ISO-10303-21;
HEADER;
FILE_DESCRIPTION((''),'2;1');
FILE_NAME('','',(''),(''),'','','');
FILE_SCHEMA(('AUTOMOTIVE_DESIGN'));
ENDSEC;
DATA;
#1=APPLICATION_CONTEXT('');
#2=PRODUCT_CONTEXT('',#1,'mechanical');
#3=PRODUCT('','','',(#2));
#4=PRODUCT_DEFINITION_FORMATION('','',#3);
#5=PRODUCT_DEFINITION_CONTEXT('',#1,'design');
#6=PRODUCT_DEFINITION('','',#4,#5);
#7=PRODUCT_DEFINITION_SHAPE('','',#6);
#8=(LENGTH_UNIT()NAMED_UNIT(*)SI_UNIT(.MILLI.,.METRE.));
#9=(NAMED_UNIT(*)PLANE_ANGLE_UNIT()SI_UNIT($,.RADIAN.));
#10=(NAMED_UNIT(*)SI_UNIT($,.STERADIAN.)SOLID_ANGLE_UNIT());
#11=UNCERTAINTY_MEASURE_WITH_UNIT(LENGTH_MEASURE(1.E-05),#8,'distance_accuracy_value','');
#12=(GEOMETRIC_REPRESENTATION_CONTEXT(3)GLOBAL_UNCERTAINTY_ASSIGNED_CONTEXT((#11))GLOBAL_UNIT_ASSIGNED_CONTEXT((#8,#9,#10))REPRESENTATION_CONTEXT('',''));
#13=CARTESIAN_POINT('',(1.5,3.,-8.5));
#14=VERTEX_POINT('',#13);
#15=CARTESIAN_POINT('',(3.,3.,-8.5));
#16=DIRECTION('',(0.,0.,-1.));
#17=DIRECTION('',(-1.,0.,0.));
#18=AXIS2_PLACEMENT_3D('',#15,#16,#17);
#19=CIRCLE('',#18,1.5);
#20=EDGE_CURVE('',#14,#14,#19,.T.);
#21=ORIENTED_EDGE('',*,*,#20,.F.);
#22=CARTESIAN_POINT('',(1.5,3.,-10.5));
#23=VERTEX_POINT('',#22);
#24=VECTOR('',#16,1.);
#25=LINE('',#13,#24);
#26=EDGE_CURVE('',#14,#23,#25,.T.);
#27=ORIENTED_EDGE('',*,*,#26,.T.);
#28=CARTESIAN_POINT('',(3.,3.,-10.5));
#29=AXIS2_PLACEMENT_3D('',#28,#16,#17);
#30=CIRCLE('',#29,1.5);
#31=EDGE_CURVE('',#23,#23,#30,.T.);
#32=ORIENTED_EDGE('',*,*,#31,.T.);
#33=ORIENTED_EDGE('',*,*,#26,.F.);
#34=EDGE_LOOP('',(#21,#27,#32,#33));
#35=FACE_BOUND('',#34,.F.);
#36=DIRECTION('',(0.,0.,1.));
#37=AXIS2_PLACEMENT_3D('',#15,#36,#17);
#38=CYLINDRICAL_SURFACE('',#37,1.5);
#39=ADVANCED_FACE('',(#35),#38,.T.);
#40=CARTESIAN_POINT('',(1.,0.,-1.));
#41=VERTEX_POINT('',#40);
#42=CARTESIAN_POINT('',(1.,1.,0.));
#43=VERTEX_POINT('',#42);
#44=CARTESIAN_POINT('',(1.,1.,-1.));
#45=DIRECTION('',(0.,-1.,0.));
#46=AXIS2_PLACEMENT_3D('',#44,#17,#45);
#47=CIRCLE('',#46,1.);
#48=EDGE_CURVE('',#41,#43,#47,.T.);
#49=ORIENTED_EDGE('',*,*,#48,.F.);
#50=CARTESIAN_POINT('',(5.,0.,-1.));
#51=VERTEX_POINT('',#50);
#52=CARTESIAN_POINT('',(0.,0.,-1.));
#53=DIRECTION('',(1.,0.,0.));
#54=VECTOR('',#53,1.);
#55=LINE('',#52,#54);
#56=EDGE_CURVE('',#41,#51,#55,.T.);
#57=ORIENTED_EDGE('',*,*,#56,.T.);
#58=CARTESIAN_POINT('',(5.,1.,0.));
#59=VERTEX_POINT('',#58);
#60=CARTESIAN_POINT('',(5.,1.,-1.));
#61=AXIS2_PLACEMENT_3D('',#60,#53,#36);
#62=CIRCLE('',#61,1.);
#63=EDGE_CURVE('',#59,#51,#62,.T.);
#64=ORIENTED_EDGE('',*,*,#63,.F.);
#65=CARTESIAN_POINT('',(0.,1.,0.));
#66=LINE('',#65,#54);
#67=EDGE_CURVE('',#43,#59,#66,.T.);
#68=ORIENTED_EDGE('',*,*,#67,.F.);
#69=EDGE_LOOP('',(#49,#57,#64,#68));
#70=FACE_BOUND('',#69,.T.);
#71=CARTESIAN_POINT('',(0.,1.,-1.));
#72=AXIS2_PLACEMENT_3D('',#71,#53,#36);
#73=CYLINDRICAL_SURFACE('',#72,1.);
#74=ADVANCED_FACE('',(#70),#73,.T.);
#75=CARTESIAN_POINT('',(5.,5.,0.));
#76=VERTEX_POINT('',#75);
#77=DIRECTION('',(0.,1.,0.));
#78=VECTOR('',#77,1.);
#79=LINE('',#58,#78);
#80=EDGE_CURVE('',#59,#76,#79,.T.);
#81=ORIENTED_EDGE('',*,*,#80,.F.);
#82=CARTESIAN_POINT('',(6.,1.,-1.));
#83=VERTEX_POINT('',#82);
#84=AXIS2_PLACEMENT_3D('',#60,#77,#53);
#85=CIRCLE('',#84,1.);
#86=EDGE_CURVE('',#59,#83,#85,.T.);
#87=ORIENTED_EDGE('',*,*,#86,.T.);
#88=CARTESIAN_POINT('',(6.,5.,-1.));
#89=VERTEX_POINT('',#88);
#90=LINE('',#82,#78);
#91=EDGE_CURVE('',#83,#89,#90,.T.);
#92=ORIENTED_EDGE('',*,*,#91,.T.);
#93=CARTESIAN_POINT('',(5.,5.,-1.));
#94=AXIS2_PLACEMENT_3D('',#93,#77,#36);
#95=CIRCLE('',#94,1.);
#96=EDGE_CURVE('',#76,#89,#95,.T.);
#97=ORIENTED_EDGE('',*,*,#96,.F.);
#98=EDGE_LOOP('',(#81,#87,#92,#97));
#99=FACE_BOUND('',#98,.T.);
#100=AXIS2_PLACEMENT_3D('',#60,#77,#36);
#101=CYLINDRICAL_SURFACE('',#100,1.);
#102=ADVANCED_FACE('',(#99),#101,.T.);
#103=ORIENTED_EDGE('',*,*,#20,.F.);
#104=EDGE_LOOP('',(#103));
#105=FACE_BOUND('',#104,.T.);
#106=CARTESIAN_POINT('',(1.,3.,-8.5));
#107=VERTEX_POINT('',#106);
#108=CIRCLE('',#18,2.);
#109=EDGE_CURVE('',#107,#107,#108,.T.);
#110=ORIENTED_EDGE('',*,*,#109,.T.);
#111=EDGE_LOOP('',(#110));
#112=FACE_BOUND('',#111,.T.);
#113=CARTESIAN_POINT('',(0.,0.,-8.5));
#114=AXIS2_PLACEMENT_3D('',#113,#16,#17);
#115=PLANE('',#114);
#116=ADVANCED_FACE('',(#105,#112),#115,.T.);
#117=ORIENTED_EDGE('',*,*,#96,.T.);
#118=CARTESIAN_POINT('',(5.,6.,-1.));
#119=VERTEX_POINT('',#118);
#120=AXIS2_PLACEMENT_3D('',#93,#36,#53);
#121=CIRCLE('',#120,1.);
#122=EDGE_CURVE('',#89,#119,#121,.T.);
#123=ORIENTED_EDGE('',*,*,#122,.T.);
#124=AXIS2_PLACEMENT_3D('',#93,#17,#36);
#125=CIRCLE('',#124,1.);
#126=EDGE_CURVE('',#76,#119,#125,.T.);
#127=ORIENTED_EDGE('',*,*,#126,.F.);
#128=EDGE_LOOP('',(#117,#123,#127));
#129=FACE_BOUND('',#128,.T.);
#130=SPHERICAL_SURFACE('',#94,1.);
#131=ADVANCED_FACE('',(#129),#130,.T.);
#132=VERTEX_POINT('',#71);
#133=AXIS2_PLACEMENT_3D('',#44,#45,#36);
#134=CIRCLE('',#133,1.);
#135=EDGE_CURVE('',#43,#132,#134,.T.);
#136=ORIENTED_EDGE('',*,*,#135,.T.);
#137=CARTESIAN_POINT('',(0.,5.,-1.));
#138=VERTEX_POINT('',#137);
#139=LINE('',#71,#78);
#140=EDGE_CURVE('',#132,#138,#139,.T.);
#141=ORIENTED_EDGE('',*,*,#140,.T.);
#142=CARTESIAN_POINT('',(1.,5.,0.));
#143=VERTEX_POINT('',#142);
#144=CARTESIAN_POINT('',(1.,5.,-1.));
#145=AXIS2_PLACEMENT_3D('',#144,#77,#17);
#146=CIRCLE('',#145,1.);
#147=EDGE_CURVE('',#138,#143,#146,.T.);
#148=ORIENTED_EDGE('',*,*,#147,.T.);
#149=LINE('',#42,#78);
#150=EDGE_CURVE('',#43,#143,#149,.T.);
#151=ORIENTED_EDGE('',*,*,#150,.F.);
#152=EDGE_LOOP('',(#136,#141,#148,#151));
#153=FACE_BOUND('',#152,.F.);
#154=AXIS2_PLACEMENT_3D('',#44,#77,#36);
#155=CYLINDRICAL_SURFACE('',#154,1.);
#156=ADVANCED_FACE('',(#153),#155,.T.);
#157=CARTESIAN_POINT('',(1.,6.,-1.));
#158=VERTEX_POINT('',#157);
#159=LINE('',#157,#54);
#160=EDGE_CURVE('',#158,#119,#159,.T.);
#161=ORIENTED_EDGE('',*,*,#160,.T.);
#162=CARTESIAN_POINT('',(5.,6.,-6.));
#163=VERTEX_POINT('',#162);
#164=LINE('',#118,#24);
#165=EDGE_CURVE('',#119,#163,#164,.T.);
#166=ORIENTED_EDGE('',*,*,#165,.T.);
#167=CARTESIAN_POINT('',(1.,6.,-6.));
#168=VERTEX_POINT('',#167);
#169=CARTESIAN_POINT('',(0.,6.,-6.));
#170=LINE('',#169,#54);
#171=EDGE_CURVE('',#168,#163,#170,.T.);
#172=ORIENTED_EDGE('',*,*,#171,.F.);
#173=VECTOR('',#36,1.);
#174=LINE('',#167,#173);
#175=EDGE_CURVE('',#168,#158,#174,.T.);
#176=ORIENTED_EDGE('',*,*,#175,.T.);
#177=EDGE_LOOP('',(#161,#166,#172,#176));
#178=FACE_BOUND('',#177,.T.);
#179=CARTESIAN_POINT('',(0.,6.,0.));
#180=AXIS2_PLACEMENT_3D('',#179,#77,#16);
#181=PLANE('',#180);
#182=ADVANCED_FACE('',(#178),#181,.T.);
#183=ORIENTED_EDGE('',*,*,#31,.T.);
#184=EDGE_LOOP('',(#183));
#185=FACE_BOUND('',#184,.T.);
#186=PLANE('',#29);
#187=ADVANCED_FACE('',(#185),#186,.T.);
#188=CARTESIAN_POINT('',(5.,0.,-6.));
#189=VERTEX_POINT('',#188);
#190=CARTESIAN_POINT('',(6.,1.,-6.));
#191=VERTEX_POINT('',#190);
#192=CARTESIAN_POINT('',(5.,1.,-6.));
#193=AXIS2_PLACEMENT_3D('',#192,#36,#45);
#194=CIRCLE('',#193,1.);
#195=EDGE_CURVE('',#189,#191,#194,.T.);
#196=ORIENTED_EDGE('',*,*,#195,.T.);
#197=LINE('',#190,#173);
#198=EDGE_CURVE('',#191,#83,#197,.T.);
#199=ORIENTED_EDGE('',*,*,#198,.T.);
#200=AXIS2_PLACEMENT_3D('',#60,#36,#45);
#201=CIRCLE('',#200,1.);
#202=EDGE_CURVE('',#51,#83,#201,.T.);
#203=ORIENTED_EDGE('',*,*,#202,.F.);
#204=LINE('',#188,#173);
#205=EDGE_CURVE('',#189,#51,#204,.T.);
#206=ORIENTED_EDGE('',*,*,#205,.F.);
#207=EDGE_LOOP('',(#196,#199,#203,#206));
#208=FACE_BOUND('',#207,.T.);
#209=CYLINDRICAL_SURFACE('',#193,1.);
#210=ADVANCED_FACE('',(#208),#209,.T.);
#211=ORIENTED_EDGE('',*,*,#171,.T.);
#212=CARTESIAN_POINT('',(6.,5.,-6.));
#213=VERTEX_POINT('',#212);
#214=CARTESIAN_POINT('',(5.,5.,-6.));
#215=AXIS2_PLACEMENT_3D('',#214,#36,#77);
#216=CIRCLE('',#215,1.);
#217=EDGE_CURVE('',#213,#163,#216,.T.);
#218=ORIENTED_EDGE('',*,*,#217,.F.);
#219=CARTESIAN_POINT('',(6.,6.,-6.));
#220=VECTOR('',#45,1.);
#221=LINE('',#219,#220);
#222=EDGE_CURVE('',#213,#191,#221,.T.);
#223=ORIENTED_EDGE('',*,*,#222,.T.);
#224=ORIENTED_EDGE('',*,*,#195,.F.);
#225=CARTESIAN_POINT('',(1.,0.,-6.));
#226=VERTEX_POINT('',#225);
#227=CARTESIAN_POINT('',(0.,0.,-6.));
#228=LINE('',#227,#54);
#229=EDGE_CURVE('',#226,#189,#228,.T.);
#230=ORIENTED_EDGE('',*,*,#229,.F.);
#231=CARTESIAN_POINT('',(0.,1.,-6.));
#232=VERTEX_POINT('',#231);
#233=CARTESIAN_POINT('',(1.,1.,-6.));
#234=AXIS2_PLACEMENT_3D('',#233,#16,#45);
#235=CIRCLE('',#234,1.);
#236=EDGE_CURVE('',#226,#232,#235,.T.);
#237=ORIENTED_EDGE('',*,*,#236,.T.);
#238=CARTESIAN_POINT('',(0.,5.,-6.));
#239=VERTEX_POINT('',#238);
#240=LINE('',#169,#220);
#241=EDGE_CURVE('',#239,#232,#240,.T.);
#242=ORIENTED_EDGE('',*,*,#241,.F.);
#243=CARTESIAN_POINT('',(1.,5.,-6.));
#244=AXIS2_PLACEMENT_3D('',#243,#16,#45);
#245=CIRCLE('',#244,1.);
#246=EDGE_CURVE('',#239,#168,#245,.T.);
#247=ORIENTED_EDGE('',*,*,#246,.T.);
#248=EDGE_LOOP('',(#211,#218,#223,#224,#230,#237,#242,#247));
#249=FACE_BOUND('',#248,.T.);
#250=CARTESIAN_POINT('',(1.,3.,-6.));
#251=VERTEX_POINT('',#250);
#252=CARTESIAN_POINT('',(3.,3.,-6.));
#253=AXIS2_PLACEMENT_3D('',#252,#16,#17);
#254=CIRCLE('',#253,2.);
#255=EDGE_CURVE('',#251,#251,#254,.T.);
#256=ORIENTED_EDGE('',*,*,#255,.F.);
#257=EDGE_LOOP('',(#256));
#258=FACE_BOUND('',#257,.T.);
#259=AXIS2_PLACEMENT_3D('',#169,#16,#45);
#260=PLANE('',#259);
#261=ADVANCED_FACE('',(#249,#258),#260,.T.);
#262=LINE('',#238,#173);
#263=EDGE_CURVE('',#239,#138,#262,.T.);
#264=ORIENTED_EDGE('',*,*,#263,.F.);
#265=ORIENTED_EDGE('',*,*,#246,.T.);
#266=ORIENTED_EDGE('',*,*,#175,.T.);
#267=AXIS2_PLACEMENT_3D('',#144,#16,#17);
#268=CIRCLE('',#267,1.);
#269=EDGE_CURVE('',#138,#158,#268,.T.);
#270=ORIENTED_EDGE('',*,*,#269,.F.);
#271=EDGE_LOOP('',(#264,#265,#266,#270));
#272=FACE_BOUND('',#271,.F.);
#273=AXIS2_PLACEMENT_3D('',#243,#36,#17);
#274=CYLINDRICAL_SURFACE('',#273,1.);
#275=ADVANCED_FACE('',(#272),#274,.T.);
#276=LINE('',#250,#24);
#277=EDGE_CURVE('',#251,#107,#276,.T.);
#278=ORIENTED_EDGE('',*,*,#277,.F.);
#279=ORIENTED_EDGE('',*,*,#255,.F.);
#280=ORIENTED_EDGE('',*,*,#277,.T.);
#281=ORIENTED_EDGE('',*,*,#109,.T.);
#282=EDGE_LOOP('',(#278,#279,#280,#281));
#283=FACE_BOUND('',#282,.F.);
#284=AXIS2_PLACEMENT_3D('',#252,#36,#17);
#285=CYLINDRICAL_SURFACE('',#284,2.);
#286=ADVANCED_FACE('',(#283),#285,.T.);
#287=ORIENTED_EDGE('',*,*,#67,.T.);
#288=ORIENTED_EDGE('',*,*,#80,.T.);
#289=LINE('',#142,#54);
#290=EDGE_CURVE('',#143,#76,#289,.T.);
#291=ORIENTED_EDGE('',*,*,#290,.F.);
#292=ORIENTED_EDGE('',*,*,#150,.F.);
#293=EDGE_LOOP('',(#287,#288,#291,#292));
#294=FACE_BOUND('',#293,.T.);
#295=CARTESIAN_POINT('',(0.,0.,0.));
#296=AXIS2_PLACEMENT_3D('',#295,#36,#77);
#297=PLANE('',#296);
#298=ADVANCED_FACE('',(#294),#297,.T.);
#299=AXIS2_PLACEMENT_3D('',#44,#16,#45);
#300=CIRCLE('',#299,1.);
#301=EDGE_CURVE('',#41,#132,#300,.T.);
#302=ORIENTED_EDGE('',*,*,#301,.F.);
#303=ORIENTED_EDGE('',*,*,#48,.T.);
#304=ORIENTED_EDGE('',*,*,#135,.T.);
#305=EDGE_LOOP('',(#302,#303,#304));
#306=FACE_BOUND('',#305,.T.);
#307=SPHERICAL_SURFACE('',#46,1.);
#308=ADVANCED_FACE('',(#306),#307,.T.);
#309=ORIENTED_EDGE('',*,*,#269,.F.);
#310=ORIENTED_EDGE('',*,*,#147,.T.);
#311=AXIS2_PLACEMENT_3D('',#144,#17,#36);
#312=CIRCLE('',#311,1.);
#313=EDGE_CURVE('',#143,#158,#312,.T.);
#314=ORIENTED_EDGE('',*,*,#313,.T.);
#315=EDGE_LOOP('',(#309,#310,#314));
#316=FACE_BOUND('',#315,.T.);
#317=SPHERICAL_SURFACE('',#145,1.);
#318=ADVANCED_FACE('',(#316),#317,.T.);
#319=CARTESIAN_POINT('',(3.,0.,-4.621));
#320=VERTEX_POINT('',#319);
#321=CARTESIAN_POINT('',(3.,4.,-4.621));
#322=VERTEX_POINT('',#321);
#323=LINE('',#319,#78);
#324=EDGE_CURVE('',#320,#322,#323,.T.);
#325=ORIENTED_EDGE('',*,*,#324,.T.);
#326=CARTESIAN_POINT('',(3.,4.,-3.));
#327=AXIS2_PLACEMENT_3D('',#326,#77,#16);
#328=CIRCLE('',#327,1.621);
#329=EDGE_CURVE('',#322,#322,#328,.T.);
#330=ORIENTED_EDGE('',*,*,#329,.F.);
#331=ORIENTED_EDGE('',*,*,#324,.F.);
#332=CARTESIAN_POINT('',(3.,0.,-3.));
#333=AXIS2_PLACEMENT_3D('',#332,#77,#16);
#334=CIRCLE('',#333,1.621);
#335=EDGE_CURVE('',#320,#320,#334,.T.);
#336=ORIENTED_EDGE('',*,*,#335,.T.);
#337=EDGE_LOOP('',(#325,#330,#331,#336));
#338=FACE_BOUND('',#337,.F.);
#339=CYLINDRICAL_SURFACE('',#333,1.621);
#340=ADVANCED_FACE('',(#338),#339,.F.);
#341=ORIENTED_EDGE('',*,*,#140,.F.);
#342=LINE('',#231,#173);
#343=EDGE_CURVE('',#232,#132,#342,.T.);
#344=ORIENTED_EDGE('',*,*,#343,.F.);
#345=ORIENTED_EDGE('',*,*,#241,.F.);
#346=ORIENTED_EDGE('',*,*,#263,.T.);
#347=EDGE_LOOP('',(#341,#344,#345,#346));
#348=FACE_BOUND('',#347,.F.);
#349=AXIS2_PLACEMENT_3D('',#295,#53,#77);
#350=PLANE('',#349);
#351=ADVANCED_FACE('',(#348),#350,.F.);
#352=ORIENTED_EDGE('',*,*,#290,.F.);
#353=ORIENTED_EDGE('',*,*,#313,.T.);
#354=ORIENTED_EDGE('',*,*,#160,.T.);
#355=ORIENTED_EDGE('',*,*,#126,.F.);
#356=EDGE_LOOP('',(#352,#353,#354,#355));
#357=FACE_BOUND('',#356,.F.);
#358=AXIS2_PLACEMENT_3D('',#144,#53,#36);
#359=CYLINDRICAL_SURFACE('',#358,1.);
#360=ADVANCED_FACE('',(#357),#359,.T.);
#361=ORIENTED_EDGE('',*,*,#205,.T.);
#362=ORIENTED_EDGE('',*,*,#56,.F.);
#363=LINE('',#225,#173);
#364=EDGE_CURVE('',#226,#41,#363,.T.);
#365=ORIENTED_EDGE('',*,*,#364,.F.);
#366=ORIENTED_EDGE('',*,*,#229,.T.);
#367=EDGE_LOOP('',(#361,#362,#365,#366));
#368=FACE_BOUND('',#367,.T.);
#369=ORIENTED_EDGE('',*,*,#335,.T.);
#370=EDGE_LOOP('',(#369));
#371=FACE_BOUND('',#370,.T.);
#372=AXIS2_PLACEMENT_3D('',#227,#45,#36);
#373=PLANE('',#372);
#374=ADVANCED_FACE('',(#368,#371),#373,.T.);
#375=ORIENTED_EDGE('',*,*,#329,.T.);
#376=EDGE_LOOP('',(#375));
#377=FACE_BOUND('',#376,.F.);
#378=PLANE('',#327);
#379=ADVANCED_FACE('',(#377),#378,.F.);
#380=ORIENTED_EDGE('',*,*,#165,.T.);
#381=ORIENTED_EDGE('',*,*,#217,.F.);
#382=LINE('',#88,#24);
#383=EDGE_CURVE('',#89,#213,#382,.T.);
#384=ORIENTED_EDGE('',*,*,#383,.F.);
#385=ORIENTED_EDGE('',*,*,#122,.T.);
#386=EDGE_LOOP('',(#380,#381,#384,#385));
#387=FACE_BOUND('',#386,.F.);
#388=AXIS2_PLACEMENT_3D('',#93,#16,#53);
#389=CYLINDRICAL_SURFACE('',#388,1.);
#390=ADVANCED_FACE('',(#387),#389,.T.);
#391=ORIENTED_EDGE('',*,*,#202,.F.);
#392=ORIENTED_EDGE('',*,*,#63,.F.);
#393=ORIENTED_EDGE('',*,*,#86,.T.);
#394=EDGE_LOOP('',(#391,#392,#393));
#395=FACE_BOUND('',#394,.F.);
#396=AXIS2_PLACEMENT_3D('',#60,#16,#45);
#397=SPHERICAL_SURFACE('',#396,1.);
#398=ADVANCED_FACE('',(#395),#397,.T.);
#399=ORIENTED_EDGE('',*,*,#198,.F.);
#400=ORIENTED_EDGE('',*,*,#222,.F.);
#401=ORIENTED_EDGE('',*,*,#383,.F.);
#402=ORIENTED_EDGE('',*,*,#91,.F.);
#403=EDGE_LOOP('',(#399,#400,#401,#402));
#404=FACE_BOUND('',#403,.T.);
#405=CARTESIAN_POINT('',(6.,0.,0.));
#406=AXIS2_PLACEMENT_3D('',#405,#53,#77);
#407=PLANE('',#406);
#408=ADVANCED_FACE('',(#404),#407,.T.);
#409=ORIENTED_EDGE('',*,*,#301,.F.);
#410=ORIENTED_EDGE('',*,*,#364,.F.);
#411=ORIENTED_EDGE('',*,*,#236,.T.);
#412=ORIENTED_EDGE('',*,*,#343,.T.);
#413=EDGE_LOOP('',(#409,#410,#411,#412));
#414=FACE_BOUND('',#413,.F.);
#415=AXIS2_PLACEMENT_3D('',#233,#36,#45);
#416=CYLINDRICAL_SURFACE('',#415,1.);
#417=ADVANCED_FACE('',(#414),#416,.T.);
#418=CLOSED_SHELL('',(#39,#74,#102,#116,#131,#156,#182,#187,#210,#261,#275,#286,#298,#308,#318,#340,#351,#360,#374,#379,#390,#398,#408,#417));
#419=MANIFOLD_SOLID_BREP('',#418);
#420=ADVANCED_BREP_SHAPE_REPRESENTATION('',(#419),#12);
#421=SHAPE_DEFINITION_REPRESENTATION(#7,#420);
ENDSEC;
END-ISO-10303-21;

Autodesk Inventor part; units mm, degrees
ref_plane "YZ Plane" through (0, 0, 0) normal (1, 0, 0) x (0, 1, 0)
ref_plane "XZ Plane" through (0, 0, 0) normal (0, 1, 0) x (-1, 0, 0)
ref_plane "XY Plane" through (0, 0, 0) normal (0, 0, 1) x (1, 0, 0)
sketch "Esboço1" plane through (0, 0, 0) normal (1, 0, 0) x (0, 1, 0)
  line L0 (0, 0) -> (6, 0)
  line L1 (6, 0) -> (6, -6)
  line L2 (6, -6) -> (0, -6)
  line L3 (0, -6) -> (0, 0)
  dimension "d0" = 6
  dimension "d1" = 6
extrude "Extrusão1" add sketch "Esboço1" along normal blind 6
sketch "Esboço2" plane through (0, 0, -6) normal (0, -1, 0) x (1, 0, 0)
  line L0 (0, 6) -> (6, 6) projected
  line L1 (0, 0) -> (6, 0) projected
  point P0 (3, 3)
hole "Furo1" at (3, 0, -3) direction (0, 1, 0) diameter 3.242 depth 4 thread size "M4x0.7" class "6H" standard "ANSI Metric M Profile"
sketch "Esboço3" plane through (0, 0, -6) normal (0, 0, -1) x (-1, 0, 0)
  line L0 (0, 0) -> (-6, 0) projected
  line L1 (0, 6) -> (-6, 6) projected
  circle A0 centre (-3, 3) radius 2
  dimension "d11" = 4
extrude "Extrusão2" add sketch "Esboço3" along normal blind 2.5
sketch "Esboço4" plane through (3, 3, -8.5) normal (0, 0, -1) x (-1, 0, 0)
  point P0 (3, -3)
  point P1 (0, 0)
sketch "Esboço7" plane through (3, 3, -8.5) normal (0, 0, -1) x (-1, 0, 0)
  circle A0 centre (0, 0) radius 1.5
  point P0 (3, -3)
  dimension "d20" = 3
extrude "Extrusão4" add sketch "Esboço7" along normal blind 2
thread "Rosca2" size "M3x0.5" class "6g" standard "ANSI Metric M Profile" full length
fillet "Arredondamento1" radius 1 1 edges at (6, 0, -3)
fillet "Arredondamento2" radius 1 3 edges at (6, 3.5, 0) (5.7071, 0.2929, 0) (2.5, 0, 0)
fillet "Arredondamento3" radius 1 3 edges at (0, 3.5, 0) (0, 0.2929, -0.2929) (0, 0, -3.5)
fillet "Arredondamento4" radius 1 5 edges at (3, 6, 0) (5.7071, 6, -0.2929) (6, 6, -3.5) (0.2929, 6, -0.2929) (0, 6, -3.5)
properties part number "CONECTOR L-F"
